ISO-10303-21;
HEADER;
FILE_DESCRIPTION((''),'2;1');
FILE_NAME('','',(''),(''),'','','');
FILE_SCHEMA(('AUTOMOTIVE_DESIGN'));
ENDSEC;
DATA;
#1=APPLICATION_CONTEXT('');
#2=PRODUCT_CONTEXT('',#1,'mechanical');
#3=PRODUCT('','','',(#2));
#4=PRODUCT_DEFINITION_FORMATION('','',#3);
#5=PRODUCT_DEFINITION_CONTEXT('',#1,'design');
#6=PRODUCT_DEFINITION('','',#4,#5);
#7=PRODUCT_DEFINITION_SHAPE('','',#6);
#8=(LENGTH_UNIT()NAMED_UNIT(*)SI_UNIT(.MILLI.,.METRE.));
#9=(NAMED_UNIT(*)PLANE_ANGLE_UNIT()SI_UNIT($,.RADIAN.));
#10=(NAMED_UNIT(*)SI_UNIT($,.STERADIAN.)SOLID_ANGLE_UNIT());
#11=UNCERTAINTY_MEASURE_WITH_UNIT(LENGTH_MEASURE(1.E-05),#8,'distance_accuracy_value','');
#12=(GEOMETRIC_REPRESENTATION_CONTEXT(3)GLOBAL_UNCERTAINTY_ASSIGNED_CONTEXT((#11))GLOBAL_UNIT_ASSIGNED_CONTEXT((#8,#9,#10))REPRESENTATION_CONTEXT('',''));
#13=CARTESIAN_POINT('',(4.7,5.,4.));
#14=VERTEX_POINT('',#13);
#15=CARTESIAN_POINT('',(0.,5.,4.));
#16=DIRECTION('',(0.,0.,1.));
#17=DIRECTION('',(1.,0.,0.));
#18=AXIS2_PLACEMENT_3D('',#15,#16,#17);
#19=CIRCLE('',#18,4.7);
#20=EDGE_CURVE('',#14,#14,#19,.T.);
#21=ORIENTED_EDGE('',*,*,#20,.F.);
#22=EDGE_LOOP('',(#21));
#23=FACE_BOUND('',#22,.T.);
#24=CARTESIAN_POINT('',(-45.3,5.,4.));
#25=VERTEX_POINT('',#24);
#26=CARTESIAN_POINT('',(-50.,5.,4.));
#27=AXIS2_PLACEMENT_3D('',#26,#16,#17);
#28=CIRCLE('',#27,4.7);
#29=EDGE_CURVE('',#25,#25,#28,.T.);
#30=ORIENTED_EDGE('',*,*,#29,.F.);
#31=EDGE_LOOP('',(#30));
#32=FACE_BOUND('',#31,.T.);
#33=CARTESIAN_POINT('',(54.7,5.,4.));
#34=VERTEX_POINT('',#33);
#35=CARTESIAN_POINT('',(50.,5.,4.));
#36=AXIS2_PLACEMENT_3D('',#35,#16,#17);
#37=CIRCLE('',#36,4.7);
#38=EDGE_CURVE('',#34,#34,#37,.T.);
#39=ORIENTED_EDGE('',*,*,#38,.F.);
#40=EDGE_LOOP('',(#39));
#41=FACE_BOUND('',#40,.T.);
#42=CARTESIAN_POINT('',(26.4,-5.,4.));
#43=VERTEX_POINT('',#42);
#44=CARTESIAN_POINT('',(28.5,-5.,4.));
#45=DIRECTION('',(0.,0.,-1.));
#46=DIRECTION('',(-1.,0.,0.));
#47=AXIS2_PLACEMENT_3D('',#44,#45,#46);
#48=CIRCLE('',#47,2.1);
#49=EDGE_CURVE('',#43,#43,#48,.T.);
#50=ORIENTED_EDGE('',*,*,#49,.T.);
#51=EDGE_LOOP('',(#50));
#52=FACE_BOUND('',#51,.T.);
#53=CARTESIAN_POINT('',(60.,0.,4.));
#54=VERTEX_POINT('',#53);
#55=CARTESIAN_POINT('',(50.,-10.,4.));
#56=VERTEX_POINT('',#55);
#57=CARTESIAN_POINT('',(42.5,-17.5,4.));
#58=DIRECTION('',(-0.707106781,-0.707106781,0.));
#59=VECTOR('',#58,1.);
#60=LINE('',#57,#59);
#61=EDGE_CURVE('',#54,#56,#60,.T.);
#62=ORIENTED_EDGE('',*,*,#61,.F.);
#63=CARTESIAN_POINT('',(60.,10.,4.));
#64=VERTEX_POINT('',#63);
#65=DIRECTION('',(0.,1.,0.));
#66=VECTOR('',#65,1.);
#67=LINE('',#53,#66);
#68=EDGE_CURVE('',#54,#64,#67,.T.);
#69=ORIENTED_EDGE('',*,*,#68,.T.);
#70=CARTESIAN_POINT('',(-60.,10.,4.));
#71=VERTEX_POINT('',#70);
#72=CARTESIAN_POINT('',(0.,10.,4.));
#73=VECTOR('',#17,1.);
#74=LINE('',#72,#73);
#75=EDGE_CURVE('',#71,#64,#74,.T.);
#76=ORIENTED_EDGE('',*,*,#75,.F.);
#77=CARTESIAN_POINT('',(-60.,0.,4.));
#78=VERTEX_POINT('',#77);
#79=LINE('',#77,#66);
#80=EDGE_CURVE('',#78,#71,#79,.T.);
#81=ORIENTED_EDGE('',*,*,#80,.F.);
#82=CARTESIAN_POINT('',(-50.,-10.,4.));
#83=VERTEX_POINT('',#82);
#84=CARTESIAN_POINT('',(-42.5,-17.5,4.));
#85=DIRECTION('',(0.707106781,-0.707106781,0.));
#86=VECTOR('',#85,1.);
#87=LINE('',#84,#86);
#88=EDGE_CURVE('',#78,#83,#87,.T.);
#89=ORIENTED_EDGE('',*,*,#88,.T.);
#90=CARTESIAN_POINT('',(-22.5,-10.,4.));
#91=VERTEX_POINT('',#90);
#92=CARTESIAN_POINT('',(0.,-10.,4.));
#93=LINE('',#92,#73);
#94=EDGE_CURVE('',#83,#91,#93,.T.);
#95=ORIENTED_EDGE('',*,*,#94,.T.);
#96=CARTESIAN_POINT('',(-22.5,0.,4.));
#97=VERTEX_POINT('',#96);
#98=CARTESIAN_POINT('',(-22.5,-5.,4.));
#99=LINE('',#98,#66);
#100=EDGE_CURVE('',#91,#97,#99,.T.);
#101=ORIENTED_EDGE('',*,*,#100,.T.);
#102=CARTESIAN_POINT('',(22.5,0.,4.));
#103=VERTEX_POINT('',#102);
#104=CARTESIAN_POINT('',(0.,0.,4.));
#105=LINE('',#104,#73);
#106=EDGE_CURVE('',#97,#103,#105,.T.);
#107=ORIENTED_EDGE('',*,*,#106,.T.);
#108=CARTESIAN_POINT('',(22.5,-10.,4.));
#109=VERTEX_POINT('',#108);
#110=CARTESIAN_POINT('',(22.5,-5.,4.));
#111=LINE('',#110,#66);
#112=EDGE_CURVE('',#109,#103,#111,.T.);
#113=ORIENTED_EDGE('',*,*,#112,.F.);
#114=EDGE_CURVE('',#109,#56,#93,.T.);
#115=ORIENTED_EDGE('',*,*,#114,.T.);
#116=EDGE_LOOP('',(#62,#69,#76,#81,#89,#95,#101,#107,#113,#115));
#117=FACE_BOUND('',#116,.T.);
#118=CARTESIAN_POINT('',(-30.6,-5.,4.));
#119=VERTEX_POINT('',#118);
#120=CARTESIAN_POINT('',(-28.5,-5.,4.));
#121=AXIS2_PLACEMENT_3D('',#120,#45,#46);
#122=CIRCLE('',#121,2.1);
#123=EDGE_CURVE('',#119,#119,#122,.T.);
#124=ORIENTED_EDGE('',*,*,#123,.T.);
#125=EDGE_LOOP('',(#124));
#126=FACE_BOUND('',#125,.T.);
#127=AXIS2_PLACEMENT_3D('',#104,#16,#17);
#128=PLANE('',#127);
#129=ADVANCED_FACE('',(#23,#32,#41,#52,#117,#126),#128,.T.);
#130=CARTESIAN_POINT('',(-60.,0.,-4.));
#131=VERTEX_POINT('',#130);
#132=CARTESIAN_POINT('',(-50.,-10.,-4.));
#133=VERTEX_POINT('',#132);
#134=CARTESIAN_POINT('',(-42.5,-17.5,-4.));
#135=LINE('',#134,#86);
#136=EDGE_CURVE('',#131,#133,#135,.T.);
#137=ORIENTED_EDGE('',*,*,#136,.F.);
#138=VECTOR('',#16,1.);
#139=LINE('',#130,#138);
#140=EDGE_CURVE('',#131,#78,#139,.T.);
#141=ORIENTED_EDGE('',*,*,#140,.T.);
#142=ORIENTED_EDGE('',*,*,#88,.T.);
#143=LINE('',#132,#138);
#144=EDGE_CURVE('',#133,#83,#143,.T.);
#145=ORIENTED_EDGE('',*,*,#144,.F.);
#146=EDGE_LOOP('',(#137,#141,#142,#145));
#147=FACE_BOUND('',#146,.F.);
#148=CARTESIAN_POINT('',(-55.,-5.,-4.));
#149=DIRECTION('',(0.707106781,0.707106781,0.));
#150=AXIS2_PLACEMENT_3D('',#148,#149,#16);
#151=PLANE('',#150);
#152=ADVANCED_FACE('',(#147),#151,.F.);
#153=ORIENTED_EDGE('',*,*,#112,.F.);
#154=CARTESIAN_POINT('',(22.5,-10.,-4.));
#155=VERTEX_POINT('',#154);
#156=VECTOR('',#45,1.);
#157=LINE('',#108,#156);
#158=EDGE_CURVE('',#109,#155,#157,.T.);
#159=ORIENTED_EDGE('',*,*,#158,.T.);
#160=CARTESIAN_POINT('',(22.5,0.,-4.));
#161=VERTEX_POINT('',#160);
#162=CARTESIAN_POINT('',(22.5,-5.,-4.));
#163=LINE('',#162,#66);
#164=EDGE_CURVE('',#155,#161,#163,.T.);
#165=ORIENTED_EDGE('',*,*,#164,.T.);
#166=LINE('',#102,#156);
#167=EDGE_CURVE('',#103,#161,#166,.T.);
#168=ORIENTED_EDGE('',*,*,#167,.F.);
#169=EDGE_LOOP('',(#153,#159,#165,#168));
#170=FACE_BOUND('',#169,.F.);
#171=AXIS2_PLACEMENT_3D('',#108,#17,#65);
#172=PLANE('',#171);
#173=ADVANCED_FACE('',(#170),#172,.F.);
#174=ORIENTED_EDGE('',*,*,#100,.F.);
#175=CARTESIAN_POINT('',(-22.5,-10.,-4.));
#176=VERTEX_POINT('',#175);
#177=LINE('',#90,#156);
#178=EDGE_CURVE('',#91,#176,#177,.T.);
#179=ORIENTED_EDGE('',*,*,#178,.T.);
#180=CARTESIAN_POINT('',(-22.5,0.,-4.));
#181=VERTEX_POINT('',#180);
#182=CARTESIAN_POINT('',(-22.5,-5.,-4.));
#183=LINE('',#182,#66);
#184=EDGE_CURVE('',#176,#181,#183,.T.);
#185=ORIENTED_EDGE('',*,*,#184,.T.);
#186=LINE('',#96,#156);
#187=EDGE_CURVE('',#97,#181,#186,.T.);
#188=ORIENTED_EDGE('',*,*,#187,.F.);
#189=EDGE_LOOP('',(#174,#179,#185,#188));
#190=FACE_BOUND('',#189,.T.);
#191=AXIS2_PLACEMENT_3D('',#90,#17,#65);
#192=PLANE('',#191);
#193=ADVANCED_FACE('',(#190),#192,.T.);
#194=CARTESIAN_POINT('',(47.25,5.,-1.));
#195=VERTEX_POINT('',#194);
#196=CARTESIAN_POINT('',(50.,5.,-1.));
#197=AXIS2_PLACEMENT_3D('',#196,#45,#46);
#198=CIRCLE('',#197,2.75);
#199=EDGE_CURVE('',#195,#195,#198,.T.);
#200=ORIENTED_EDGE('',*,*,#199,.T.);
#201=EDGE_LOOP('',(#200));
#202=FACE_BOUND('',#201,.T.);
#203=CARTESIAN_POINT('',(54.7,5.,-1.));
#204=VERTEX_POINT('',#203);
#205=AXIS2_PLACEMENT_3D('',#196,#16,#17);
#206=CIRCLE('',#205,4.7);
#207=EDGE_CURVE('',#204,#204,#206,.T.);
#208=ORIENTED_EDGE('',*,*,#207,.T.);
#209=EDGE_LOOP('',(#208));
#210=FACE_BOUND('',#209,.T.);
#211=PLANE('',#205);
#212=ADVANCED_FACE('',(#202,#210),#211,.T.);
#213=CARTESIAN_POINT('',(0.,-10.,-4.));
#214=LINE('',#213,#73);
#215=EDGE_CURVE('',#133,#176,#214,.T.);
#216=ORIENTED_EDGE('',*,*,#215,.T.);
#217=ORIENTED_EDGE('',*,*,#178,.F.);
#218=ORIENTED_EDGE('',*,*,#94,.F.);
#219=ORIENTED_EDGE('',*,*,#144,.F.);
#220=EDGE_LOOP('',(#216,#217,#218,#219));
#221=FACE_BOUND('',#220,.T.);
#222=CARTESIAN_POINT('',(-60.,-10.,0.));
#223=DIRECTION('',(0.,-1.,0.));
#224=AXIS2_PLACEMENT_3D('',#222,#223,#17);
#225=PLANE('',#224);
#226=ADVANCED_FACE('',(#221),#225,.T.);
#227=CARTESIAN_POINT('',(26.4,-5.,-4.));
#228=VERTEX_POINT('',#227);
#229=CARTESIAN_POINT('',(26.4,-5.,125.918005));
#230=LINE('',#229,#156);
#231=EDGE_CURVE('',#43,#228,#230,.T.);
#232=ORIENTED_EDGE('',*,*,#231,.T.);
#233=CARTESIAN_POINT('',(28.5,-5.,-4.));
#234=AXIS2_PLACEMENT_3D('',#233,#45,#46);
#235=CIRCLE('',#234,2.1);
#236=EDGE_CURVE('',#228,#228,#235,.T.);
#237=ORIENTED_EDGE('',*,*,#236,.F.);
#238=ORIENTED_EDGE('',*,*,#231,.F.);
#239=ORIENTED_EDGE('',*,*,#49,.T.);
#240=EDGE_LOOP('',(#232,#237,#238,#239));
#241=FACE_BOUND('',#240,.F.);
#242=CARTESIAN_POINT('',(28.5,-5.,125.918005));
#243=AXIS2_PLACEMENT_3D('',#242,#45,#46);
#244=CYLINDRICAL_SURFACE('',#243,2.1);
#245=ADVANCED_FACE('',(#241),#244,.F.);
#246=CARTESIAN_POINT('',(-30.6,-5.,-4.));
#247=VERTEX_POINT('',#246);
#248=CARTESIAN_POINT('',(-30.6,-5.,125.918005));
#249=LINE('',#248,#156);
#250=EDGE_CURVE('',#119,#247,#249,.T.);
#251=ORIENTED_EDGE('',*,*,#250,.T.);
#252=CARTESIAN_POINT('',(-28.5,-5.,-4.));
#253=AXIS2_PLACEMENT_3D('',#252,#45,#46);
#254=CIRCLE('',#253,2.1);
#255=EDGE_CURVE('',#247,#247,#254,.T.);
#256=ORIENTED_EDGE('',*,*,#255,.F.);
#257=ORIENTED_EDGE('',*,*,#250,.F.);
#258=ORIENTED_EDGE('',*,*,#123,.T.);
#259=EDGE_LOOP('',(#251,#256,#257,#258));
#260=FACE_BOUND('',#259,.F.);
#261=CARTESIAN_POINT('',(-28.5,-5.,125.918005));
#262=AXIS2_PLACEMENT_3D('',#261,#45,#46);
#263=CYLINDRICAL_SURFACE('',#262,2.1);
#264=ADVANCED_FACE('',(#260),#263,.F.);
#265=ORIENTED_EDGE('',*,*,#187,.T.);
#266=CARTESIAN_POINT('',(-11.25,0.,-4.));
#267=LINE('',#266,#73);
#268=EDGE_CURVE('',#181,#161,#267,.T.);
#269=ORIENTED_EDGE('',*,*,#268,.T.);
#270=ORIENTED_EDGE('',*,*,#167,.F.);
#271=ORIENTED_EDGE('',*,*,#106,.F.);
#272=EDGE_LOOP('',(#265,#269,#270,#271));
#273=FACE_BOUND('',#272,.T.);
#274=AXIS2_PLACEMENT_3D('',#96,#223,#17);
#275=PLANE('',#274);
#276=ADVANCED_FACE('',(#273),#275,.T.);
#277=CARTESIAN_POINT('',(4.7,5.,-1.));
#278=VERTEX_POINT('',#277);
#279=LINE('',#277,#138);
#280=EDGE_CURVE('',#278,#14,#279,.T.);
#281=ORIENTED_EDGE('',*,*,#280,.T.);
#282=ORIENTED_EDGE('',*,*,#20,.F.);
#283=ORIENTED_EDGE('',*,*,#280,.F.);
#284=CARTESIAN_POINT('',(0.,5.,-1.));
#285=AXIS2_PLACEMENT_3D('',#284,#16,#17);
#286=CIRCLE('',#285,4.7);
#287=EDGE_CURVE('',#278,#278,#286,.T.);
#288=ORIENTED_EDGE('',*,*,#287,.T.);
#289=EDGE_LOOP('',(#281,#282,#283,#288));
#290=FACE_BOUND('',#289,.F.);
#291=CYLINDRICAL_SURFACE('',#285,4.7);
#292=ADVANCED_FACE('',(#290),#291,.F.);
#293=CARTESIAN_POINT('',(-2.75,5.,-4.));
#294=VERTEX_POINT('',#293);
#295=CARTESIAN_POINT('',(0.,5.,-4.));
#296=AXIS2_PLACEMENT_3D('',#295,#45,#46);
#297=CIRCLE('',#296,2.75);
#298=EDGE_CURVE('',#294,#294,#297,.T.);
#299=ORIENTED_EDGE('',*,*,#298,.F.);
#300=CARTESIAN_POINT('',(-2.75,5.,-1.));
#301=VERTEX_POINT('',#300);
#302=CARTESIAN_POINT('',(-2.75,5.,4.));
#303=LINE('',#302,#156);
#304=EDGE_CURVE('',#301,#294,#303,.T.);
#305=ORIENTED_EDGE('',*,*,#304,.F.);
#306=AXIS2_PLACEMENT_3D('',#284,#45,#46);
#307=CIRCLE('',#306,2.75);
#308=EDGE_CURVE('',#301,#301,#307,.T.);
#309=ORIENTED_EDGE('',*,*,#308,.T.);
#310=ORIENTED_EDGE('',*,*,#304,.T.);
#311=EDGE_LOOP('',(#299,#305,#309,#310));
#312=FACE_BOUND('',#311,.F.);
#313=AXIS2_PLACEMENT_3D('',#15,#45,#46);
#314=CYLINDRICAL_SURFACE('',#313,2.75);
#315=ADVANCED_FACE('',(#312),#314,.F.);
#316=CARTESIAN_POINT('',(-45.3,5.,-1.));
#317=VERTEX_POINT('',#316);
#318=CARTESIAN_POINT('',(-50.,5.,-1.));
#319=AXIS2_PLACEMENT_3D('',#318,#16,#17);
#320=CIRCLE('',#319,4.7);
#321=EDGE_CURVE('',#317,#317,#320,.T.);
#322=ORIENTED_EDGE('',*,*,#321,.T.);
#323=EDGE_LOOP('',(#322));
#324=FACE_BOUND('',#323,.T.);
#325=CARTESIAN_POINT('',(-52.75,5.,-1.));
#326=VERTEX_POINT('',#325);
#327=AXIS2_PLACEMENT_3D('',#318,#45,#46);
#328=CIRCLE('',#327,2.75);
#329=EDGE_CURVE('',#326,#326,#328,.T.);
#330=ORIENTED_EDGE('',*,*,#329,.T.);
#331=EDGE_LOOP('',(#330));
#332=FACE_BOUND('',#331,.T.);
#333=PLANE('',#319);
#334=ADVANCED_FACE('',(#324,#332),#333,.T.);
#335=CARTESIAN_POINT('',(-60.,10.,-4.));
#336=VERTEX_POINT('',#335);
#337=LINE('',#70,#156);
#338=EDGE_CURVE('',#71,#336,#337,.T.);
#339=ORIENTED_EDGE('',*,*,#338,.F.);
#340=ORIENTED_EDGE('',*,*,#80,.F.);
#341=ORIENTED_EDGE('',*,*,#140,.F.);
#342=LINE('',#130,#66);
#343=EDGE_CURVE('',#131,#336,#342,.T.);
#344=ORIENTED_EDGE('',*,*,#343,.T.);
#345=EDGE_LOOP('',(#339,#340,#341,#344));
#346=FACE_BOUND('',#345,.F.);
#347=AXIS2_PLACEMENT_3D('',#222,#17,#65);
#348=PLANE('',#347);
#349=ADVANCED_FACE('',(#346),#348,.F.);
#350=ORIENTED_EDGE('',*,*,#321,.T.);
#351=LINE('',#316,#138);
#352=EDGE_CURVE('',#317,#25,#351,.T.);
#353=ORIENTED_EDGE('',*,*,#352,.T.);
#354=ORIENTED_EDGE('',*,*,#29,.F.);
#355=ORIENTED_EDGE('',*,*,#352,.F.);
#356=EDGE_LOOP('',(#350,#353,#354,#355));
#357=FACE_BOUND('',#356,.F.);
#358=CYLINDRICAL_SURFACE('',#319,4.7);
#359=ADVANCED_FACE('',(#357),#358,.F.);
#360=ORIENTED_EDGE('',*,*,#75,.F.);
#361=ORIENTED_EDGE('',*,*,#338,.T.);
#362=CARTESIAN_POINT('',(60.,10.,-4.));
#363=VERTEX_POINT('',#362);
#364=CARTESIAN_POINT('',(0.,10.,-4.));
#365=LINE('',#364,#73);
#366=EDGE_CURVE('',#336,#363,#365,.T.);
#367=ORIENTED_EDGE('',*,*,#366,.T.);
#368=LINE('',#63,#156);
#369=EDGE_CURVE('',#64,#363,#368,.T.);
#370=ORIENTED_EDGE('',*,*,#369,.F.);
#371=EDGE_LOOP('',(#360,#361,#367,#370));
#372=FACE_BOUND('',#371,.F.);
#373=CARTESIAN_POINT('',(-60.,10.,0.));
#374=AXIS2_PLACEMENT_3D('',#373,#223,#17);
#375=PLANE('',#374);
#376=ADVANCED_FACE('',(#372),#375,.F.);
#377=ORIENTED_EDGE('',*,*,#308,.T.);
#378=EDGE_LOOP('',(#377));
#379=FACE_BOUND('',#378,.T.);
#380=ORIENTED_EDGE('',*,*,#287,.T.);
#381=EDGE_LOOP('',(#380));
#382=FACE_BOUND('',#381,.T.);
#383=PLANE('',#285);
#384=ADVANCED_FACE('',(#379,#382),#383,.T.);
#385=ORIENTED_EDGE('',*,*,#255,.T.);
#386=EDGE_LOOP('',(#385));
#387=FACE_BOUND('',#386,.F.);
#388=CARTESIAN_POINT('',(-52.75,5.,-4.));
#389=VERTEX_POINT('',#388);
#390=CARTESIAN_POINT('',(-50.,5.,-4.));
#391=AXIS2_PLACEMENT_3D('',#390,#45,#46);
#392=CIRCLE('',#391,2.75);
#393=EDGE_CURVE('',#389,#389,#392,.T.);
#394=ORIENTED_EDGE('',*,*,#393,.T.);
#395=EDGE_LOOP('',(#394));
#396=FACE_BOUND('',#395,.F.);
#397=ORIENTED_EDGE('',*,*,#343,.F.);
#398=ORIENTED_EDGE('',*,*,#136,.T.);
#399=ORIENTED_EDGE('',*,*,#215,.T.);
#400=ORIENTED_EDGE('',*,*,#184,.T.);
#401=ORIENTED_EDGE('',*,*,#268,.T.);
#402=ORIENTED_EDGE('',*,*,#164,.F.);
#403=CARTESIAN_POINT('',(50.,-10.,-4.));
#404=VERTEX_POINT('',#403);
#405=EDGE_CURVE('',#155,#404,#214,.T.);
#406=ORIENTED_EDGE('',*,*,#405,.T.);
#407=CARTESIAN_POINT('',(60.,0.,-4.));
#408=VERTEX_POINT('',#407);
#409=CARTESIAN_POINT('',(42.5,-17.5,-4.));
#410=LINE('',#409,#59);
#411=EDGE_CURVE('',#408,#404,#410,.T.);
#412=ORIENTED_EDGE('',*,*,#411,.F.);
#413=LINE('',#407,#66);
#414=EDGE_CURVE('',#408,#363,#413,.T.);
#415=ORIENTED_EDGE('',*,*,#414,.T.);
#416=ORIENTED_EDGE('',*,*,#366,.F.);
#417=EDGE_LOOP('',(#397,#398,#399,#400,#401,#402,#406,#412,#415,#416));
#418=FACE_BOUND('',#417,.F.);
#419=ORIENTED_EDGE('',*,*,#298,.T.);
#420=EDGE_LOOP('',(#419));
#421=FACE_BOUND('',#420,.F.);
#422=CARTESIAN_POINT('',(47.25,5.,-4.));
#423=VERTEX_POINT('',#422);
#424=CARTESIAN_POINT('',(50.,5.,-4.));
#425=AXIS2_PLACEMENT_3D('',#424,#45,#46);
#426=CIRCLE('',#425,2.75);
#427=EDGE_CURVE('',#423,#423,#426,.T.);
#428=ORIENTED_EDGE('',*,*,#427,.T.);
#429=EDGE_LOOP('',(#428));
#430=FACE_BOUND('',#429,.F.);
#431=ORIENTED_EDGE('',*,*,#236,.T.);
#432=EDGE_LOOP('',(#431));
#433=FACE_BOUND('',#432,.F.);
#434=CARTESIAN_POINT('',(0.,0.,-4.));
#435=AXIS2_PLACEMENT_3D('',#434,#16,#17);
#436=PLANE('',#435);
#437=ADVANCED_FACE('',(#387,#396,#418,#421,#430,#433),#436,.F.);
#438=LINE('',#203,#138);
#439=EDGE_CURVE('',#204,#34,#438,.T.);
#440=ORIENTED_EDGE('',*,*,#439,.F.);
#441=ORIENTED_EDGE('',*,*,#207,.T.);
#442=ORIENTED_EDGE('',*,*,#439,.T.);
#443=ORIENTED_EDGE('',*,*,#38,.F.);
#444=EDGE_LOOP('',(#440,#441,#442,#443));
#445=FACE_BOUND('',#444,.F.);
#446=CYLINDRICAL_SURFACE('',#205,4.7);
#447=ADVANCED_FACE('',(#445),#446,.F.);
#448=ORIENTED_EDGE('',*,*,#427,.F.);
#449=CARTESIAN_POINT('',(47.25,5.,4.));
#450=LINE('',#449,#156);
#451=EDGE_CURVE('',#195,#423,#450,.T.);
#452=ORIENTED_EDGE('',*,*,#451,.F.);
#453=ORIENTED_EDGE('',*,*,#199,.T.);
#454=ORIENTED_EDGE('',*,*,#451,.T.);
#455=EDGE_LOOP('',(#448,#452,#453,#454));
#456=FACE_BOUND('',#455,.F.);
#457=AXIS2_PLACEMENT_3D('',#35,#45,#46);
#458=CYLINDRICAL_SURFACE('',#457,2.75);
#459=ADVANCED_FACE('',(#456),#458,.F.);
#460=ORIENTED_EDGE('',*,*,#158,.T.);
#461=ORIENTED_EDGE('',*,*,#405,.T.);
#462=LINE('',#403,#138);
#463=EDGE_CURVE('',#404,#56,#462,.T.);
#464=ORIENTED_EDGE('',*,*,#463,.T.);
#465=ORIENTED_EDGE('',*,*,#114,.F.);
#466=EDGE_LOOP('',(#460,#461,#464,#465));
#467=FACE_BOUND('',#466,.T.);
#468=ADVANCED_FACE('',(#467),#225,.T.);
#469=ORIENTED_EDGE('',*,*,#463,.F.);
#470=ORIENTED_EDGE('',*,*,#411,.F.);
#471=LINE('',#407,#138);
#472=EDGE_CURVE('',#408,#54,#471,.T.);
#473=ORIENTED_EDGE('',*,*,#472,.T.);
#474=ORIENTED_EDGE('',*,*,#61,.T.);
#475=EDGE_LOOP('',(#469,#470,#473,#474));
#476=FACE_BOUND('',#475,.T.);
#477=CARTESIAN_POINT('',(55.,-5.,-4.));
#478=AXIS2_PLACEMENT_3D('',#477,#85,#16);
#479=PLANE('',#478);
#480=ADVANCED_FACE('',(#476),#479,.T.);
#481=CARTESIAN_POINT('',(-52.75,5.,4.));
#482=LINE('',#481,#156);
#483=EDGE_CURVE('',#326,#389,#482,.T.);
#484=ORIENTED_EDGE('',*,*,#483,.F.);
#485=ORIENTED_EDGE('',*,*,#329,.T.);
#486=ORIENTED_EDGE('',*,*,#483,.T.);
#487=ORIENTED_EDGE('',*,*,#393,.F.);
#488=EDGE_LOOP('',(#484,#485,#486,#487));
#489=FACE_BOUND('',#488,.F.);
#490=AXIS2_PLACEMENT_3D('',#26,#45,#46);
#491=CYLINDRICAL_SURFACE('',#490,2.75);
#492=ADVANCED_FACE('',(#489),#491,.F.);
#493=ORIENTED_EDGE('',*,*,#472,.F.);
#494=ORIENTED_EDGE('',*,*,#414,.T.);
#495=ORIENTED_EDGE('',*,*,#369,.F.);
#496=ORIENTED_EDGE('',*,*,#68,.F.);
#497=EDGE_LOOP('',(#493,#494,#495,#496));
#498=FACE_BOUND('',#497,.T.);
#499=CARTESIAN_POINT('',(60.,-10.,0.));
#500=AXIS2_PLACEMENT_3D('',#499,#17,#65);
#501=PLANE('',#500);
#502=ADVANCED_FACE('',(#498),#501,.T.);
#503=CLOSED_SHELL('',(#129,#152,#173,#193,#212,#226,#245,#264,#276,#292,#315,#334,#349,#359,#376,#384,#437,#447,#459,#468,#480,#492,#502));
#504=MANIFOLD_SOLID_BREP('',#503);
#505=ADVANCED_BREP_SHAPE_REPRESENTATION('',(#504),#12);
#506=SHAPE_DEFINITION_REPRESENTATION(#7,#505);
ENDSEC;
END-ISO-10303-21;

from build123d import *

# Parameters (mm, degrees)
SKETCH_1_W                = 120
SKETCH_1_H                = 20
EXTRUDE_1_DEPTH           = 4
HOLE_WIZARD_1_D           = 5.5
HOLE_WIZARD_1_CBORE_D     = 9.4
HOLE_WIZARD_1_CBORE_DEPTH = 5
HOLE_WIZARD_M5_2_D        = 4.2
SKETCH_6_W                = 45
SKETCH_6_H                = 10
CUT_EXTRUDE_1_DEPTH       = 62.351446601
CHAMFER_1_SIZE            = 10


with BuildPart() as part:
    # 草图1 → 凸台-拉伸1 (new, symmetric)
    with BuildSketch(Plane.XY):
        Rectangle(SKETCH_1_W, SKETCH_1_H)
    extrude(amount=EXTRUDE_1_DEPTH, both=True)

    # 打孔尺寸根据内六角圆柱头螺钉的类型1 (through all)
    with Locations(Plane(origin=(-5.332284739, -2.419582529, 4), x_dir=(1, 0, 0), z_dir=(0, 0, 1))):
        with Locations((-44.667715261, 7.419582529), (55.332284739, 7.419582529), (5.332284739, 7.419582529)):
            CounterBoreHole(HOLE_WIZARD_1_D / 2, HOLE_WIZARD_1_CBORE_D / 2, HOLE_WIZARD_1_CBORE_DEPTH)

    # M5 螺纹孔2 (through all)
    with Locations(Plane.XY.offset(4)):
        with Locations((-28.5, -5), (28.5, -5)):
            Hole(HOLE_WIZARD_M5_2_D / 2)

    # 草图6 → 切除-拉伸1 (cut, through all)
    with BuildSketch(Plane.XY.offset(4)):
        with Locations((0, -5)):
            Rectangle(SKETCH_6_W, SKETCH_6_H)
    extrude(amount=-CUT_EXTRUDE_1_DEPTH, mode=Mode.SUBTRACT)

    # 倒角1
    chamfer_1_edges = [part.edges().sort_by_distance(p)[0] for p in [
        (60, -10, 0),
        (-60, -10, 0),
    ]]
    chamfer(chamfer_1_edges, length=CHAMFER_1_SIZE)


solid = part.part
